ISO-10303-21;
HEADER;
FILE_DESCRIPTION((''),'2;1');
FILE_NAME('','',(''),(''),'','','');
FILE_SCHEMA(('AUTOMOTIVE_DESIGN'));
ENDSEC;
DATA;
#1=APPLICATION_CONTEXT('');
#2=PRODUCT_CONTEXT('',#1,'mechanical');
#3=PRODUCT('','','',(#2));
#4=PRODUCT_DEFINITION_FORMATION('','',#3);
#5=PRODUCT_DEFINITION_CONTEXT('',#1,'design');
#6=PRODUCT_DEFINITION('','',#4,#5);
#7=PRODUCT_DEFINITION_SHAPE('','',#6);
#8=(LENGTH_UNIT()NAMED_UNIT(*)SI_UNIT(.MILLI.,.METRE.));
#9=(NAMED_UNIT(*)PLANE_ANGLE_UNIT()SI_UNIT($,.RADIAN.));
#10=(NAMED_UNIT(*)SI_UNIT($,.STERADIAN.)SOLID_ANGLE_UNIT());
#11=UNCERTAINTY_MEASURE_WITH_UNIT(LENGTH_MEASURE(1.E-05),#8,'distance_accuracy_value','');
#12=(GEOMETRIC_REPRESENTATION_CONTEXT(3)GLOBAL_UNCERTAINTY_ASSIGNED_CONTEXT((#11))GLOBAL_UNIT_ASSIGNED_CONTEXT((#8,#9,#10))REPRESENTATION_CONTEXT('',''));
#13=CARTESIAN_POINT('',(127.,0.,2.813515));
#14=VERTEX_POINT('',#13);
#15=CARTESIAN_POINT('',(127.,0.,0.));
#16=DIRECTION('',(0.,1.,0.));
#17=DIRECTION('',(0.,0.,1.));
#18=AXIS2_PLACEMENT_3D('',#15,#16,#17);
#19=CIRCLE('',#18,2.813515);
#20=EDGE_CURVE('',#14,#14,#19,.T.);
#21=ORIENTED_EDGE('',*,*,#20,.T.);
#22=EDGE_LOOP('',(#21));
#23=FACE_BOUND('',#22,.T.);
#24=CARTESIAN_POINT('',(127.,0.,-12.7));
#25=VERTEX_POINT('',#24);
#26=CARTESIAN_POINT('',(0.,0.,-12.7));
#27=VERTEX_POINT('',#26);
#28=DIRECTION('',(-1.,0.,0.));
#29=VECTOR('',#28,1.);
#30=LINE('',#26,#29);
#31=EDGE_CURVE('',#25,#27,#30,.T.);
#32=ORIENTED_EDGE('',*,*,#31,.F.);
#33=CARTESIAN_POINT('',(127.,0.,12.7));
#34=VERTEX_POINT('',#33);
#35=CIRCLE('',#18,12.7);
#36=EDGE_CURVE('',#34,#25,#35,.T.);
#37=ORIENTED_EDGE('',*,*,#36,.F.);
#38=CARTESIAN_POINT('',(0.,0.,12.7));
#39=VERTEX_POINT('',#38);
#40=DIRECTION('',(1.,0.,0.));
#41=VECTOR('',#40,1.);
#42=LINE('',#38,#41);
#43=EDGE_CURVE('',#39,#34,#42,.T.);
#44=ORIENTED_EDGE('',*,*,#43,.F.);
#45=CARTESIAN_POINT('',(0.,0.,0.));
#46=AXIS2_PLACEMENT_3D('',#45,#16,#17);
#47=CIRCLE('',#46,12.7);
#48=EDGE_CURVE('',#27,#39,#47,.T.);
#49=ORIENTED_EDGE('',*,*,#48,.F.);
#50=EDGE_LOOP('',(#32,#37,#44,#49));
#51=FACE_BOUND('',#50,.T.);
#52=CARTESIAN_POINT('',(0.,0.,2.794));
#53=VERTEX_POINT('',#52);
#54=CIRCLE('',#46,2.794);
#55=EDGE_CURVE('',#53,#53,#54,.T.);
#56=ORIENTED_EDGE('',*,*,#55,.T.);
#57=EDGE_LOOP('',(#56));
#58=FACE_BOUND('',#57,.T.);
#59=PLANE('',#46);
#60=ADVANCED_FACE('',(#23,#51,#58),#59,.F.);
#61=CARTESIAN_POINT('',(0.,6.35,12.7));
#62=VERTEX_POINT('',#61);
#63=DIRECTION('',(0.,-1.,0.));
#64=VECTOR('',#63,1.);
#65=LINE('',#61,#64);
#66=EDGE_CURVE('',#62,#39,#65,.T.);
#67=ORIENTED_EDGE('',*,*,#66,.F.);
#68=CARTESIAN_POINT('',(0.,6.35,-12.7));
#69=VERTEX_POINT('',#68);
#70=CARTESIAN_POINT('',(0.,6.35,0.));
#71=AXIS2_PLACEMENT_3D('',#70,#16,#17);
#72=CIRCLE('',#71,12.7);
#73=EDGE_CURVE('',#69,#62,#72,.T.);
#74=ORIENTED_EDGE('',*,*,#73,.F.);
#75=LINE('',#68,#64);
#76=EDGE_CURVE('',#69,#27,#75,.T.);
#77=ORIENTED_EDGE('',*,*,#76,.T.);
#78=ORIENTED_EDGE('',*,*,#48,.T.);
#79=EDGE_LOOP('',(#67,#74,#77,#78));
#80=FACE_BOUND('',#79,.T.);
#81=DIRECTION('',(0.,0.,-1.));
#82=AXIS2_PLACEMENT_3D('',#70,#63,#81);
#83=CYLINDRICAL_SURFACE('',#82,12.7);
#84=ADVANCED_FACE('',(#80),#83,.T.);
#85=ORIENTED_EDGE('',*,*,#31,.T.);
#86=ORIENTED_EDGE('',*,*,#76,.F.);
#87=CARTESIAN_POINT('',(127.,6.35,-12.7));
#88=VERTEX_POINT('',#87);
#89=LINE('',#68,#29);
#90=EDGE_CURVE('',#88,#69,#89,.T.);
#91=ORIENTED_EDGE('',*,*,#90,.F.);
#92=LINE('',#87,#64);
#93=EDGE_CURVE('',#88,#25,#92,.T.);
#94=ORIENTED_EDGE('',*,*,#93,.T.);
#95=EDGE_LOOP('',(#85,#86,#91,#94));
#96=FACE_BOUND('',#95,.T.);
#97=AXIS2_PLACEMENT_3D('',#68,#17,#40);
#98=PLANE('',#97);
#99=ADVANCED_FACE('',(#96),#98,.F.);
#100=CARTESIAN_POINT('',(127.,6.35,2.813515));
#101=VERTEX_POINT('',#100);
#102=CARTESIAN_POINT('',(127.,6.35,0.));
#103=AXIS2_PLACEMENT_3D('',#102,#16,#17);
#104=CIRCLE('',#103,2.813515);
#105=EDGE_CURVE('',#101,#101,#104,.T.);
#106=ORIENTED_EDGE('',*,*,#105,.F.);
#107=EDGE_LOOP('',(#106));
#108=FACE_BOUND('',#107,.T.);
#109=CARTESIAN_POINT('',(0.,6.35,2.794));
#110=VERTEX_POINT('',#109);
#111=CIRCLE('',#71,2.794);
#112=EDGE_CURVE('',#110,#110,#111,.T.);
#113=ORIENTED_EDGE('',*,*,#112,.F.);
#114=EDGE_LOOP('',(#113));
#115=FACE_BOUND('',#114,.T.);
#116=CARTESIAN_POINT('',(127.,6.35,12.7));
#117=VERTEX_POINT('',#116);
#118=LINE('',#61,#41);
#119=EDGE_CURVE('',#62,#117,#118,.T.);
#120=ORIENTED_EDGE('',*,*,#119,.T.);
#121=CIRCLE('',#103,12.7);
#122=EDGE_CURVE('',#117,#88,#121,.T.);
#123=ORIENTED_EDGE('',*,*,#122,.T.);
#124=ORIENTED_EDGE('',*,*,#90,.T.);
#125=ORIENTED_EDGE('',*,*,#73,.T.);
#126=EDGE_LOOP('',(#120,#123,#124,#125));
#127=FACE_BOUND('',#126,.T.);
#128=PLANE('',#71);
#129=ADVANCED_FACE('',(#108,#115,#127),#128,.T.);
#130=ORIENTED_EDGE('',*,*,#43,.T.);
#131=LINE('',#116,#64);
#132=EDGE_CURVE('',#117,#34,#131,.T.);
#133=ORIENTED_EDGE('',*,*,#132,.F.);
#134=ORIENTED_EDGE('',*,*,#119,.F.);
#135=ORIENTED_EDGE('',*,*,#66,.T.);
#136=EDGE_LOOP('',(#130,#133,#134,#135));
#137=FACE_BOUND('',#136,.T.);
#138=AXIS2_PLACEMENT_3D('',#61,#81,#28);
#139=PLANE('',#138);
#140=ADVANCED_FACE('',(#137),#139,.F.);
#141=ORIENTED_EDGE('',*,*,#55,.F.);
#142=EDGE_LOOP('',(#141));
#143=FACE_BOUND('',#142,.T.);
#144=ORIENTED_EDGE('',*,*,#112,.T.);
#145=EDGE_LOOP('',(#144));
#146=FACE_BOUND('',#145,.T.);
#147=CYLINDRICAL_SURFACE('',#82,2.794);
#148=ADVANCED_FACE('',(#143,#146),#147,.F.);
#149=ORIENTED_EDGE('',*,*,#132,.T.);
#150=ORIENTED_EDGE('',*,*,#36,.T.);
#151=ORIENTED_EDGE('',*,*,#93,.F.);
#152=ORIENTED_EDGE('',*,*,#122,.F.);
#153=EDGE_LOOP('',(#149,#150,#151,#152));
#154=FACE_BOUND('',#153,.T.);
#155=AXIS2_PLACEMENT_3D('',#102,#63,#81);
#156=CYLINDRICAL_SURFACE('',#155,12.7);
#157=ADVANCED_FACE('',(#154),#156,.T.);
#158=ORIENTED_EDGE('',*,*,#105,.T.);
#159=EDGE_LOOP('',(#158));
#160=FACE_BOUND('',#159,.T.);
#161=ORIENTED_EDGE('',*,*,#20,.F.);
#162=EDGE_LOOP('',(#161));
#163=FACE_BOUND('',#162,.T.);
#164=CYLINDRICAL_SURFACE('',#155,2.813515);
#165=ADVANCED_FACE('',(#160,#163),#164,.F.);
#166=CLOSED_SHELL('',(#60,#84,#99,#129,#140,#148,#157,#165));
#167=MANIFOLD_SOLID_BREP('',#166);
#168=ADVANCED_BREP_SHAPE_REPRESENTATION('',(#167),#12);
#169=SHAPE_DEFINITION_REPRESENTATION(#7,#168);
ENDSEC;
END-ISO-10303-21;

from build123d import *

# Parameters (mm, degrees)
SKETCH1_R           = 2.794
SKETCH1_R_2         = 2.813515076
BOSS_EXTRUDE1_DEPTH = 6.35


with BuildPart() as part:
    # Sketch1 → Boss-Extrude1 (new body)
    with BuildSketch(Plane(origin=(0, 0, 0), x_dir=(1, 0, 0), z_dir=(0, 1, 0))):
        with BuildLine():
            Line((0, 12.7), (127, 12.7))
            ThreePointArc((127, 12.7), (139.7, 0), (127, -12.7))
            Line((127, -12.7), (0, -12.7))
            ThreePointArc((0, -12.7), (-12.7, 0), (0, 12.7))
        make_face()
        with Locations(Location((0, 0, 0), (0, 0, 270))):
            Circle(SKETCH1_R, mode=Mode.SUBTRACT)
        with Locations(Location((127, 0, 0), (0, 0, 270))):
            Circle(SKETCH1_R_2, mode=Mode.SUBTRACT)
    extrude(amount=BOSS_EXTRUDE1_DEPTH)


solid = part.part
